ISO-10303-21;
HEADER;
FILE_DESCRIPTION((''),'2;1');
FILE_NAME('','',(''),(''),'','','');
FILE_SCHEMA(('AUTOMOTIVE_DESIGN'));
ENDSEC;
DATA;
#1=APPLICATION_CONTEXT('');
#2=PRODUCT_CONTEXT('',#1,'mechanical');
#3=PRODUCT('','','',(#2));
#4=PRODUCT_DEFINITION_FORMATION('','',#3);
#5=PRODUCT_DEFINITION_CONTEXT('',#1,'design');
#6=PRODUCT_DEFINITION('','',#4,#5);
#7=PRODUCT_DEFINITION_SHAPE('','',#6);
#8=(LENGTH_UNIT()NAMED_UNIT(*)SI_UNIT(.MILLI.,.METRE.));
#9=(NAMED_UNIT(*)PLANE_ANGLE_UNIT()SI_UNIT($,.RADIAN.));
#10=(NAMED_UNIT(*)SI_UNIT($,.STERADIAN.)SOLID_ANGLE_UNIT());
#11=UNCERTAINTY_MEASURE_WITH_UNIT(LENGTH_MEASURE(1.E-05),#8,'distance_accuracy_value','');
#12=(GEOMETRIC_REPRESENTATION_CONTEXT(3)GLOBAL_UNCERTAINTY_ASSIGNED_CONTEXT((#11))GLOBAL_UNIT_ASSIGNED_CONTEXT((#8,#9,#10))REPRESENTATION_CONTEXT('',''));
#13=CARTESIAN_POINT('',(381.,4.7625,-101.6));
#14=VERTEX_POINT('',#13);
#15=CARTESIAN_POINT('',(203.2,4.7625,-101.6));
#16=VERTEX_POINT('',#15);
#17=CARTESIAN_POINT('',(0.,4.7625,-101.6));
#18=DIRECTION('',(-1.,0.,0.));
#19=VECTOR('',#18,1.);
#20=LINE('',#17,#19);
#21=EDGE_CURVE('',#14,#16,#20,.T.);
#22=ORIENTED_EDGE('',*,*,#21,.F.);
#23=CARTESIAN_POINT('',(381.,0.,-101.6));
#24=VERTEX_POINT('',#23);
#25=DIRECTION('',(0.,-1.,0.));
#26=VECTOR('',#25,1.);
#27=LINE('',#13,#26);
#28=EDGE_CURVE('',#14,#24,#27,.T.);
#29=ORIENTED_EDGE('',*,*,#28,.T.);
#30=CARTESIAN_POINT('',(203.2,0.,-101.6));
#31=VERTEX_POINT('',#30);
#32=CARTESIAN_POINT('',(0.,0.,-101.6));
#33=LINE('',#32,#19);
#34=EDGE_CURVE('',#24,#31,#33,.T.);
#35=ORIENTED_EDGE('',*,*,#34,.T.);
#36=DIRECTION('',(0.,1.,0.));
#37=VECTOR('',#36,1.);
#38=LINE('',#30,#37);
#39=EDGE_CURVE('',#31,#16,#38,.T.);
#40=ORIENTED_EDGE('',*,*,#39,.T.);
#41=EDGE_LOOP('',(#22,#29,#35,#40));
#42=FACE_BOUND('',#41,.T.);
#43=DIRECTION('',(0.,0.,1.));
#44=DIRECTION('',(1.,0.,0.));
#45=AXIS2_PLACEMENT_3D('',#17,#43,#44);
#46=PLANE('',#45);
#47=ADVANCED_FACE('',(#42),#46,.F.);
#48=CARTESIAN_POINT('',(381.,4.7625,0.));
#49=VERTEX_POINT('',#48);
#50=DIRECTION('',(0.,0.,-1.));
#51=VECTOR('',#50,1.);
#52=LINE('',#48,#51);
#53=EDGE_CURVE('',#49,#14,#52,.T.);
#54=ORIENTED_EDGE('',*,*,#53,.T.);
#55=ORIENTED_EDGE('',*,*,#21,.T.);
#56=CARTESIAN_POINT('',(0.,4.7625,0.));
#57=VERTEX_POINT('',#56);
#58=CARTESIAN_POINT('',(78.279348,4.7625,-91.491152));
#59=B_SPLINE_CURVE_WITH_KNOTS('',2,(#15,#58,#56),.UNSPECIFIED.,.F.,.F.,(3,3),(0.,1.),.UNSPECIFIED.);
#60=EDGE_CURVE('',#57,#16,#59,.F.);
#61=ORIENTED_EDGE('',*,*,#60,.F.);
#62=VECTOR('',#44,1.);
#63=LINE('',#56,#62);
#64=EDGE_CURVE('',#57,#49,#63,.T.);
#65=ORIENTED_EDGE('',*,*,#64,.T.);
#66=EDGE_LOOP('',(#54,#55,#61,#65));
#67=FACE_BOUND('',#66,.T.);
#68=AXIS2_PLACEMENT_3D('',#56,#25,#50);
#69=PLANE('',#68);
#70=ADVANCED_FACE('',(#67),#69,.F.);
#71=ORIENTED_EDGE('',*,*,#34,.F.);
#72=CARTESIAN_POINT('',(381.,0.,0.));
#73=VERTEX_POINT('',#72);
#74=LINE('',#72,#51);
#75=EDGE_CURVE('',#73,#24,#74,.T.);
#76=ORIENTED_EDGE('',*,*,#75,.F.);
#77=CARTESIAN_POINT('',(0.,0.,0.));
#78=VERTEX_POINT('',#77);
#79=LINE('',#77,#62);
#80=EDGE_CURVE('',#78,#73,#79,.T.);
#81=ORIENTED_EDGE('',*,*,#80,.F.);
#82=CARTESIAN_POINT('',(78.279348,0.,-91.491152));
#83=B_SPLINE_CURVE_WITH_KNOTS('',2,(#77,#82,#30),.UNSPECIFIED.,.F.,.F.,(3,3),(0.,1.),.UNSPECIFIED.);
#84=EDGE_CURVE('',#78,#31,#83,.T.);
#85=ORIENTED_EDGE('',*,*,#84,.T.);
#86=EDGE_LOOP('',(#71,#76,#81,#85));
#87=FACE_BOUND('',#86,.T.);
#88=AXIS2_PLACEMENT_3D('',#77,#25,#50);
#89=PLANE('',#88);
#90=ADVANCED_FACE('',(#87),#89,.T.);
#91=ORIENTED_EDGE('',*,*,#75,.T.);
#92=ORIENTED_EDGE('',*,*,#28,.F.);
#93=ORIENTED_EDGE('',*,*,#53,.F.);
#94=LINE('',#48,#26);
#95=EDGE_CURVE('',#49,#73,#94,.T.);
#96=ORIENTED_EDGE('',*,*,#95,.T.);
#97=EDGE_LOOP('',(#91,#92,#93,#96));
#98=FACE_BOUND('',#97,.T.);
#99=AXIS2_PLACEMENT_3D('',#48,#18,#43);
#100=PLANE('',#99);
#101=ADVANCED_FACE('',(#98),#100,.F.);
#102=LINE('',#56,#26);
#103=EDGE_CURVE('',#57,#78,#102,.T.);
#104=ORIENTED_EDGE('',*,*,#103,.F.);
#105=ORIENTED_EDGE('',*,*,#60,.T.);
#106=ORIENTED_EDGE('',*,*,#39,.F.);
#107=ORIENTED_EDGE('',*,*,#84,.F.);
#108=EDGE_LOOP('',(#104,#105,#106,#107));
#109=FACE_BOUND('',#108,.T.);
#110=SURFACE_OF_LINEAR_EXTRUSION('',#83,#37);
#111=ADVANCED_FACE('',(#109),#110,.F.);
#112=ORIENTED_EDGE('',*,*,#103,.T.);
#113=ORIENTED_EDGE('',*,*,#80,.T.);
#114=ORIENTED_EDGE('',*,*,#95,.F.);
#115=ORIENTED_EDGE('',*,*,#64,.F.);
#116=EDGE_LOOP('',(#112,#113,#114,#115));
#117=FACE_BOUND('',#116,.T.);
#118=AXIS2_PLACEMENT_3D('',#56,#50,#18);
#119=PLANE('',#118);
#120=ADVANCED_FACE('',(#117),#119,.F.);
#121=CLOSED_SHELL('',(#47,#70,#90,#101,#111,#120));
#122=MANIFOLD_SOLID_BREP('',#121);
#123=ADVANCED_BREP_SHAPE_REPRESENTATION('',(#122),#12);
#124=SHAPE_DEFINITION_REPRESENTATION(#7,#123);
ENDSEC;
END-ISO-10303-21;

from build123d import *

# Parameters (mm, degrees)
SKETCH1_W               = 381
SKETCH1_H               = 101.6
BOSS_EXTRUDE1_DEPTH     = 4.7625
CUT_EXTRUDE1_DEPTH      = 395.342796823
CUT_EXTRUDE1_DEPTH_BACK = 395.342796823


with BuildPart() as part:
    # Sketch1 → Boss-Extrude1 (new body)
    with BuildSketch(Plane(origin=(0, 0, 0), x_dir=(1, 0, 0), z_dir=(0, 1, 0))):
        with Locations((190.5, 50.8)):
            Rectangle(SKETCH1_W, SKETCH1_H)
    extrude(amount=BOSS_EXTRUDE1_DEPTH)

    # Sketch2 → Cut-Extrude1 (cut, two sides: drawn at the far end of the back side and taken through both)
    with BuildSketch(Plane(origin=(0, 4.7625, 0), x_dir=(1, 0, 0), z_dir=(0, 1, 0)).offset(-CUT_EXTRUDE1_DEPTH_BACK)):
        with BuildLine():
            Line((0, 0), (0, 101.6))
            Line((0, 101.6), (203.2, 101.6))
            add(Edge.make_bspline(
                [(0, 0), (78.279347672, 91.49115187), (203.2, 101.6)],
                knots=[0, 0, 0, 1, 1, 1], degree=2))
        make_face()
    extrude(amount=CUT_EXTRUDE1_DEPTH + CUT_EXTRUDE1_DEPTH_BACK, mode=Mode.SUBTRACT)


solid = part.part
